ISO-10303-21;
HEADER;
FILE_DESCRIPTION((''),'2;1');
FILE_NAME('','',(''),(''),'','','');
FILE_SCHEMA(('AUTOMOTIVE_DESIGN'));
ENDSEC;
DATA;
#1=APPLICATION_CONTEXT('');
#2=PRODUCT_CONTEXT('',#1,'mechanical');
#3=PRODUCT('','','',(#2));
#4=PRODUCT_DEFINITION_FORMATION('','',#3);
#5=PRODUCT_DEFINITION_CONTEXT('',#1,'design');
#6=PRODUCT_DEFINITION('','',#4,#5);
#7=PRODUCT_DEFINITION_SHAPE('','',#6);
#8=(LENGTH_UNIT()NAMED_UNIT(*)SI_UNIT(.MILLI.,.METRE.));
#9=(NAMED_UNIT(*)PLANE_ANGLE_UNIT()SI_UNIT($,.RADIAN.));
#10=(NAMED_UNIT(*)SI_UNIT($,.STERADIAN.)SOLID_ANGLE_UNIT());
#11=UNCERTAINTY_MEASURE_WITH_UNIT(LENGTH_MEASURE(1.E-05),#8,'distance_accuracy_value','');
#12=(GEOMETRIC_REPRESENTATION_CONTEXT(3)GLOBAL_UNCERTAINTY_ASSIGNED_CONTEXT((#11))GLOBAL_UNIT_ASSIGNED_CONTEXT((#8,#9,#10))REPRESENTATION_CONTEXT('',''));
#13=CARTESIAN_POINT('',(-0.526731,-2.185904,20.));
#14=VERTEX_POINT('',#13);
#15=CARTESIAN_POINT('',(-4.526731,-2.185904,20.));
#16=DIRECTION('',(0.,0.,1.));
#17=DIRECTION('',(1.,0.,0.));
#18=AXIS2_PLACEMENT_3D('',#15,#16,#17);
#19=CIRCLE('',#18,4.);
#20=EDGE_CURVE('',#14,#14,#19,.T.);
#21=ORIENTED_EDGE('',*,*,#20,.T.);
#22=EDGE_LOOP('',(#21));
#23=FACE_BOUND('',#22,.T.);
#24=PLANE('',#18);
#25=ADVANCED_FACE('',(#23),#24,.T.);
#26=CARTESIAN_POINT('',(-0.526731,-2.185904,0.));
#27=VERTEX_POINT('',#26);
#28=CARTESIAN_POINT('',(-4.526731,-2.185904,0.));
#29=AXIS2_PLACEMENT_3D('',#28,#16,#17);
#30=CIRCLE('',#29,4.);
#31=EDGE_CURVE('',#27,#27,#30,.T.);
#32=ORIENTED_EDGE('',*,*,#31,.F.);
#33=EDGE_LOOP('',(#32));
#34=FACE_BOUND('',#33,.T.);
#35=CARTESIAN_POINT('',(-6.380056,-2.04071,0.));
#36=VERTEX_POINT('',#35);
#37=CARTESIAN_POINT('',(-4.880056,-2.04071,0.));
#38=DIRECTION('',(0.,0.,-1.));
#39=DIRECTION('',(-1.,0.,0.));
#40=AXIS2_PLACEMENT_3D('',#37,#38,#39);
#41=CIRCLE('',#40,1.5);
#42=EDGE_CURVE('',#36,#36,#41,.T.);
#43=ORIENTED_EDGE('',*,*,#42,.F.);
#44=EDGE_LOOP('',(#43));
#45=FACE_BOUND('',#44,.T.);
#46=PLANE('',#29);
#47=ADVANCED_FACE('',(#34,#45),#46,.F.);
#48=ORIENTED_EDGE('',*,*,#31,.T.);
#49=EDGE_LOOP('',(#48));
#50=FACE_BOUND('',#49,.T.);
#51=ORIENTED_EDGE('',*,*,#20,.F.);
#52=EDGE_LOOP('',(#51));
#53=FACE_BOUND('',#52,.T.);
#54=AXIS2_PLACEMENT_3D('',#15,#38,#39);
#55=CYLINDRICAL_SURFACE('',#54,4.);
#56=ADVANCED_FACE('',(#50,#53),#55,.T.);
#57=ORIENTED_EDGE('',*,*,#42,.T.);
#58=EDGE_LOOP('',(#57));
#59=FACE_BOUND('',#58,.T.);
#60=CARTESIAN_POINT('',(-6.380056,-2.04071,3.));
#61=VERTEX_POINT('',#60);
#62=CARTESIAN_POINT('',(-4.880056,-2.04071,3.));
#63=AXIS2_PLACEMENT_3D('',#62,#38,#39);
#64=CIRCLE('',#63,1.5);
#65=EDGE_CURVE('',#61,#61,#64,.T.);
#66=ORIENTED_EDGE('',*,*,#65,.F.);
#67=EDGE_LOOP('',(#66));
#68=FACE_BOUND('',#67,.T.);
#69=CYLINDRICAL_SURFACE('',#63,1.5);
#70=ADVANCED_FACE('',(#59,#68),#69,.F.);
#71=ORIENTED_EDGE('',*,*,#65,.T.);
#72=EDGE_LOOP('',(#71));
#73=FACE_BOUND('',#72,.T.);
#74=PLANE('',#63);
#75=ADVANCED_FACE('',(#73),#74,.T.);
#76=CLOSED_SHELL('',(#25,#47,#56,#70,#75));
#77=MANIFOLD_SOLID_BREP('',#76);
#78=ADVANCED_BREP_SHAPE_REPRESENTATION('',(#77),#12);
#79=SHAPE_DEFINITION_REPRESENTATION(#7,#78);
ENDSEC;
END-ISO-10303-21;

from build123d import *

# Parameters (mm, degrees)
SKETCH1_R           = 4
BOSS_EXTRUDE2_DEPTH = 20
SKETCH3_R           = 1.5
CUT_EXTRUDE2_DEPTH  = 3


with BuildPart() as part:
    # Sketch1 → Boss-Extrude2 (new body)
    with BuildSketch(Plane.XY):
        with Locations((-4.526730855, -2.185903659)):
            Circle(SKETCH1_R)
    extrude(amount=BOSS_EXTRUDE2_DEPTH)

    # Sketch3 → Cut-Extrude2 (cut)
    with BuildSketch(Plane(origin=(0, 0, 0), x_dir=(-1, 0, 0), z_dir=(0, 0, -1))):
        with Locations((4.880055624, -2.040710346)):
            Circle(SKETCH3_R)
    extrude(amount=-CUT_EXTRUDE2_DEPTH, mode=Mode.SUBTRACT)


solid = part.part
